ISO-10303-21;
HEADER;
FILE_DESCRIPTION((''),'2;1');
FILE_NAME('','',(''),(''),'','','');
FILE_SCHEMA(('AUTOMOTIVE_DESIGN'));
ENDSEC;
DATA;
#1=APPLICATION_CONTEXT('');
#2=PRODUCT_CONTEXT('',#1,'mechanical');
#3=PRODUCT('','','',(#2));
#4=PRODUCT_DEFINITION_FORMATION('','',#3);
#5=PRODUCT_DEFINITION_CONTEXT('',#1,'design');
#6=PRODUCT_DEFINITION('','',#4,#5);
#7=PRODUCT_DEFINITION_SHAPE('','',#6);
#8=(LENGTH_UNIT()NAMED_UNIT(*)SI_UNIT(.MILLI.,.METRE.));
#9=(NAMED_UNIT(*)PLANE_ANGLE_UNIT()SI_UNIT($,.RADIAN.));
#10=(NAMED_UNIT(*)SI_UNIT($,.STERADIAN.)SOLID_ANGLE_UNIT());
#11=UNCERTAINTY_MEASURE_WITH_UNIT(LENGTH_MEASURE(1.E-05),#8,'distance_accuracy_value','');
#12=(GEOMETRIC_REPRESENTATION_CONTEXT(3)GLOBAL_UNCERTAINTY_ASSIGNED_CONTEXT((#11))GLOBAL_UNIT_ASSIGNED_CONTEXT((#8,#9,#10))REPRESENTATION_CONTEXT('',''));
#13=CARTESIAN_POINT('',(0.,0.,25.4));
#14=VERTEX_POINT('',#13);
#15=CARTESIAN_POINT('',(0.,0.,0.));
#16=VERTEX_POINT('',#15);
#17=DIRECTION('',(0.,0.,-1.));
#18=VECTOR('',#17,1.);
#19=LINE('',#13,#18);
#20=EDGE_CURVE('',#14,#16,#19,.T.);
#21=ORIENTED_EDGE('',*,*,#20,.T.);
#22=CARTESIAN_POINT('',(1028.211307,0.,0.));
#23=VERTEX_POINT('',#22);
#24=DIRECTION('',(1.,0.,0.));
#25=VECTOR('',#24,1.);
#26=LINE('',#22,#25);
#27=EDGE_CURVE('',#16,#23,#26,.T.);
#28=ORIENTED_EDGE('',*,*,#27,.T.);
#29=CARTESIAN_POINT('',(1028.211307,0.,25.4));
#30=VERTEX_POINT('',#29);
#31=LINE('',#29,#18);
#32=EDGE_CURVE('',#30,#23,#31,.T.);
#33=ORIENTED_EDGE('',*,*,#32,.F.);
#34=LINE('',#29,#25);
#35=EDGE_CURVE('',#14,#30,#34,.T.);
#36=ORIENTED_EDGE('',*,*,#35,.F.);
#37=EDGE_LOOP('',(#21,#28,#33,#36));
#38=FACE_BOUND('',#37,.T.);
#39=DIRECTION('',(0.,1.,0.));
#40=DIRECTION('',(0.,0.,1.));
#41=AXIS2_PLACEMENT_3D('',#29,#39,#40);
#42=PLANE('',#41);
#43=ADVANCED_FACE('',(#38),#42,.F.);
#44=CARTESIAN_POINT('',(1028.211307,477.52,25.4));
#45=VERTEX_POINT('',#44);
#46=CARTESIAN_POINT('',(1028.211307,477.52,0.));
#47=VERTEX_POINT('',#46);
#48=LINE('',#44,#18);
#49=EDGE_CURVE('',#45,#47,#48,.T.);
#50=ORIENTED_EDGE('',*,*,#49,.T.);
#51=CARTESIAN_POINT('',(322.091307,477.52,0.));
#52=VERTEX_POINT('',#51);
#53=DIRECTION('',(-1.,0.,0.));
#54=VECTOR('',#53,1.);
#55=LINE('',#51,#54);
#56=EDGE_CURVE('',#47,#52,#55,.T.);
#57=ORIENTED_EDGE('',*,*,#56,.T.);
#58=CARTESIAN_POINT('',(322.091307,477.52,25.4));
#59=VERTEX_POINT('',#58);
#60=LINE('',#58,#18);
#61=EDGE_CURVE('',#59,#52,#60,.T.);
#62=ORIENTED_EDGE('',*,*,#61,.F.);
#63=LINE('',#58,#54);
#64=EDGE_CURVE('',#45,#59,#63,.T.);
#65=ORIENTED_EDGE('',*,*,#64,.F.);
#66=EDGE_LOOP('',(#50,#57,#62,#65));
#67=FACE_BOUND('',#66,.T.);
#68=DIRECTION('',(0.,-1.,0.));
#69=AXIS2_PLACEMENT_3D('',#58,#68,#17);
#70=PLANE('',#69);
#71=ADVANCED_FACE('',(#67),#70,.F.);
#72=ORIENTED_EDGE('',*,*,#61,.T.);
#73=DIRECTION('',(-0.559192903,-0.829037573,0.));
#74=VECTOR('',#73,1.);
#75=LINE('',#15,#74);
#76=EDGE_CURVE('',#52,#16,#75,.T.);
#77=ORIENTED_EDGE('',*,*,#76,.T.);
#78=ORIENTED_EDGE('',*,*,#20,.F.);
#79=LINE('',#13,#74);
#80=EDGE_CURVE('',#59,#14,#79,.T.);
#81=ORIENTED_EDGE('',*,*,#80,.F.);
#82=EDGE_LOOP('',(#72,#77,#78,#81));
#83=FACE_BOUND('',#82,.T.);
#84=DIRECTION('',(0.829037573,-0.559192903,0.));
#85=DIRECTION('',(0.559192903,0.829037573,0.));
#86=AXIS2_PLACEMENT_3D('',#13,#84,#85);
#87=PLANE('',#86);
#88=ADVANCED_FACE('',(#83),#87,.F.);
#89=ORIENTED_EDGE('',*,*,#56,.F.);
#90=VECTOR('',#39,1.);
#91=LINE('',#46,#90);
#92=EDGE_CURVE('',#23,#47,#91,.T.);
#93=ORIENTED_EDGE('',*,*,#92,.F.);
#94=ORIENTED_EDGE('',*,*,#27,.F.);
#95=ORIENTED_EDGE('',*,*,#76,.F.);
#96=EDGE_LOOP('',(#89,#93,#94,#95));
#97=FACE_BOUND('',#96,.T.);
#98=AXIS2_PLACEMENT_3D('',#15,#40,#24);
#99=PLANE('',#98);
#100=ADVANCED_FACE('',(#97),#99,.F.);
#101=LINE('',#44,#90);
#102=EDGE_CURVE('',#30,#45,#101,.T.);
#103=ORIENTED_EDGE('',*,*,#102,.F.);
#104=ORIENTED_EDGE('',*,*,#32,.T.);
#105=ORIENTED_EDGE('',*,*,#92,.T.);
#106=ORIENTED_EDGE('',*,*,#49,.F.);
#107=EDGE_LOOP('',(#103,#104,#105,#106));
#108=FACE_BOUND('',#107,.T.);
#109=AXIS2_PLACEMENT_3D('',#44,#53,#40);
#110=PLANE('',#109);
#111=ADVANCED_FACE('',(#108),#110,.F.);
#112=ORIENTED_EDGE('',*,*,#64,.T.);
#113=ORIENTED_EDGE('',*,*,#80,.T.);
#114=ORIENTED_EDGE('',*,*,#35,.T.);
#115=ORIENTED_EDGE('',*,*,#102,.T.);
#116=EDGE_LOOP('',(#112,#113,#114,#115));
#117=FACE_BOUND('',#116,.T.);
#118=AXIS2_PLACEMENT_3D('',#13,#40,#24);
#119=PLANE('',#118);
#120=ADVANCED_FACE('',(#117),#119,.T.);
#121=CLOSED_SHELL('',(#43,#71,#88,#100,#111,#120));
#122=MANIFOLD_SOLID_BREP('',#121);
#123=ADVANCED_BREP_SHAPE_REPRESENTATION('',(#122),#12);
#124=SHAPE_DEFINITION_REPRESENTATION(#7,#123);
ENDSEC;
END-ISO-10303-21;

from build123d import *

# Parameters (mm, degrees)
BOSS_EXTRUDE1_DEPTH = 25.4


with BuildPart() as part:
    # Sketch1 → Boss-Extrude1 (new body)
    with BuildSketch(Plane.XY):
        Polygon((0, 0), (322.091306963, 477.52), (1028.211306963, 477.52), (1028.211306963, 0), align=None)
    extrude(amount=BOSS_EXTRUDE1_DEPTH)


solid = part.part
